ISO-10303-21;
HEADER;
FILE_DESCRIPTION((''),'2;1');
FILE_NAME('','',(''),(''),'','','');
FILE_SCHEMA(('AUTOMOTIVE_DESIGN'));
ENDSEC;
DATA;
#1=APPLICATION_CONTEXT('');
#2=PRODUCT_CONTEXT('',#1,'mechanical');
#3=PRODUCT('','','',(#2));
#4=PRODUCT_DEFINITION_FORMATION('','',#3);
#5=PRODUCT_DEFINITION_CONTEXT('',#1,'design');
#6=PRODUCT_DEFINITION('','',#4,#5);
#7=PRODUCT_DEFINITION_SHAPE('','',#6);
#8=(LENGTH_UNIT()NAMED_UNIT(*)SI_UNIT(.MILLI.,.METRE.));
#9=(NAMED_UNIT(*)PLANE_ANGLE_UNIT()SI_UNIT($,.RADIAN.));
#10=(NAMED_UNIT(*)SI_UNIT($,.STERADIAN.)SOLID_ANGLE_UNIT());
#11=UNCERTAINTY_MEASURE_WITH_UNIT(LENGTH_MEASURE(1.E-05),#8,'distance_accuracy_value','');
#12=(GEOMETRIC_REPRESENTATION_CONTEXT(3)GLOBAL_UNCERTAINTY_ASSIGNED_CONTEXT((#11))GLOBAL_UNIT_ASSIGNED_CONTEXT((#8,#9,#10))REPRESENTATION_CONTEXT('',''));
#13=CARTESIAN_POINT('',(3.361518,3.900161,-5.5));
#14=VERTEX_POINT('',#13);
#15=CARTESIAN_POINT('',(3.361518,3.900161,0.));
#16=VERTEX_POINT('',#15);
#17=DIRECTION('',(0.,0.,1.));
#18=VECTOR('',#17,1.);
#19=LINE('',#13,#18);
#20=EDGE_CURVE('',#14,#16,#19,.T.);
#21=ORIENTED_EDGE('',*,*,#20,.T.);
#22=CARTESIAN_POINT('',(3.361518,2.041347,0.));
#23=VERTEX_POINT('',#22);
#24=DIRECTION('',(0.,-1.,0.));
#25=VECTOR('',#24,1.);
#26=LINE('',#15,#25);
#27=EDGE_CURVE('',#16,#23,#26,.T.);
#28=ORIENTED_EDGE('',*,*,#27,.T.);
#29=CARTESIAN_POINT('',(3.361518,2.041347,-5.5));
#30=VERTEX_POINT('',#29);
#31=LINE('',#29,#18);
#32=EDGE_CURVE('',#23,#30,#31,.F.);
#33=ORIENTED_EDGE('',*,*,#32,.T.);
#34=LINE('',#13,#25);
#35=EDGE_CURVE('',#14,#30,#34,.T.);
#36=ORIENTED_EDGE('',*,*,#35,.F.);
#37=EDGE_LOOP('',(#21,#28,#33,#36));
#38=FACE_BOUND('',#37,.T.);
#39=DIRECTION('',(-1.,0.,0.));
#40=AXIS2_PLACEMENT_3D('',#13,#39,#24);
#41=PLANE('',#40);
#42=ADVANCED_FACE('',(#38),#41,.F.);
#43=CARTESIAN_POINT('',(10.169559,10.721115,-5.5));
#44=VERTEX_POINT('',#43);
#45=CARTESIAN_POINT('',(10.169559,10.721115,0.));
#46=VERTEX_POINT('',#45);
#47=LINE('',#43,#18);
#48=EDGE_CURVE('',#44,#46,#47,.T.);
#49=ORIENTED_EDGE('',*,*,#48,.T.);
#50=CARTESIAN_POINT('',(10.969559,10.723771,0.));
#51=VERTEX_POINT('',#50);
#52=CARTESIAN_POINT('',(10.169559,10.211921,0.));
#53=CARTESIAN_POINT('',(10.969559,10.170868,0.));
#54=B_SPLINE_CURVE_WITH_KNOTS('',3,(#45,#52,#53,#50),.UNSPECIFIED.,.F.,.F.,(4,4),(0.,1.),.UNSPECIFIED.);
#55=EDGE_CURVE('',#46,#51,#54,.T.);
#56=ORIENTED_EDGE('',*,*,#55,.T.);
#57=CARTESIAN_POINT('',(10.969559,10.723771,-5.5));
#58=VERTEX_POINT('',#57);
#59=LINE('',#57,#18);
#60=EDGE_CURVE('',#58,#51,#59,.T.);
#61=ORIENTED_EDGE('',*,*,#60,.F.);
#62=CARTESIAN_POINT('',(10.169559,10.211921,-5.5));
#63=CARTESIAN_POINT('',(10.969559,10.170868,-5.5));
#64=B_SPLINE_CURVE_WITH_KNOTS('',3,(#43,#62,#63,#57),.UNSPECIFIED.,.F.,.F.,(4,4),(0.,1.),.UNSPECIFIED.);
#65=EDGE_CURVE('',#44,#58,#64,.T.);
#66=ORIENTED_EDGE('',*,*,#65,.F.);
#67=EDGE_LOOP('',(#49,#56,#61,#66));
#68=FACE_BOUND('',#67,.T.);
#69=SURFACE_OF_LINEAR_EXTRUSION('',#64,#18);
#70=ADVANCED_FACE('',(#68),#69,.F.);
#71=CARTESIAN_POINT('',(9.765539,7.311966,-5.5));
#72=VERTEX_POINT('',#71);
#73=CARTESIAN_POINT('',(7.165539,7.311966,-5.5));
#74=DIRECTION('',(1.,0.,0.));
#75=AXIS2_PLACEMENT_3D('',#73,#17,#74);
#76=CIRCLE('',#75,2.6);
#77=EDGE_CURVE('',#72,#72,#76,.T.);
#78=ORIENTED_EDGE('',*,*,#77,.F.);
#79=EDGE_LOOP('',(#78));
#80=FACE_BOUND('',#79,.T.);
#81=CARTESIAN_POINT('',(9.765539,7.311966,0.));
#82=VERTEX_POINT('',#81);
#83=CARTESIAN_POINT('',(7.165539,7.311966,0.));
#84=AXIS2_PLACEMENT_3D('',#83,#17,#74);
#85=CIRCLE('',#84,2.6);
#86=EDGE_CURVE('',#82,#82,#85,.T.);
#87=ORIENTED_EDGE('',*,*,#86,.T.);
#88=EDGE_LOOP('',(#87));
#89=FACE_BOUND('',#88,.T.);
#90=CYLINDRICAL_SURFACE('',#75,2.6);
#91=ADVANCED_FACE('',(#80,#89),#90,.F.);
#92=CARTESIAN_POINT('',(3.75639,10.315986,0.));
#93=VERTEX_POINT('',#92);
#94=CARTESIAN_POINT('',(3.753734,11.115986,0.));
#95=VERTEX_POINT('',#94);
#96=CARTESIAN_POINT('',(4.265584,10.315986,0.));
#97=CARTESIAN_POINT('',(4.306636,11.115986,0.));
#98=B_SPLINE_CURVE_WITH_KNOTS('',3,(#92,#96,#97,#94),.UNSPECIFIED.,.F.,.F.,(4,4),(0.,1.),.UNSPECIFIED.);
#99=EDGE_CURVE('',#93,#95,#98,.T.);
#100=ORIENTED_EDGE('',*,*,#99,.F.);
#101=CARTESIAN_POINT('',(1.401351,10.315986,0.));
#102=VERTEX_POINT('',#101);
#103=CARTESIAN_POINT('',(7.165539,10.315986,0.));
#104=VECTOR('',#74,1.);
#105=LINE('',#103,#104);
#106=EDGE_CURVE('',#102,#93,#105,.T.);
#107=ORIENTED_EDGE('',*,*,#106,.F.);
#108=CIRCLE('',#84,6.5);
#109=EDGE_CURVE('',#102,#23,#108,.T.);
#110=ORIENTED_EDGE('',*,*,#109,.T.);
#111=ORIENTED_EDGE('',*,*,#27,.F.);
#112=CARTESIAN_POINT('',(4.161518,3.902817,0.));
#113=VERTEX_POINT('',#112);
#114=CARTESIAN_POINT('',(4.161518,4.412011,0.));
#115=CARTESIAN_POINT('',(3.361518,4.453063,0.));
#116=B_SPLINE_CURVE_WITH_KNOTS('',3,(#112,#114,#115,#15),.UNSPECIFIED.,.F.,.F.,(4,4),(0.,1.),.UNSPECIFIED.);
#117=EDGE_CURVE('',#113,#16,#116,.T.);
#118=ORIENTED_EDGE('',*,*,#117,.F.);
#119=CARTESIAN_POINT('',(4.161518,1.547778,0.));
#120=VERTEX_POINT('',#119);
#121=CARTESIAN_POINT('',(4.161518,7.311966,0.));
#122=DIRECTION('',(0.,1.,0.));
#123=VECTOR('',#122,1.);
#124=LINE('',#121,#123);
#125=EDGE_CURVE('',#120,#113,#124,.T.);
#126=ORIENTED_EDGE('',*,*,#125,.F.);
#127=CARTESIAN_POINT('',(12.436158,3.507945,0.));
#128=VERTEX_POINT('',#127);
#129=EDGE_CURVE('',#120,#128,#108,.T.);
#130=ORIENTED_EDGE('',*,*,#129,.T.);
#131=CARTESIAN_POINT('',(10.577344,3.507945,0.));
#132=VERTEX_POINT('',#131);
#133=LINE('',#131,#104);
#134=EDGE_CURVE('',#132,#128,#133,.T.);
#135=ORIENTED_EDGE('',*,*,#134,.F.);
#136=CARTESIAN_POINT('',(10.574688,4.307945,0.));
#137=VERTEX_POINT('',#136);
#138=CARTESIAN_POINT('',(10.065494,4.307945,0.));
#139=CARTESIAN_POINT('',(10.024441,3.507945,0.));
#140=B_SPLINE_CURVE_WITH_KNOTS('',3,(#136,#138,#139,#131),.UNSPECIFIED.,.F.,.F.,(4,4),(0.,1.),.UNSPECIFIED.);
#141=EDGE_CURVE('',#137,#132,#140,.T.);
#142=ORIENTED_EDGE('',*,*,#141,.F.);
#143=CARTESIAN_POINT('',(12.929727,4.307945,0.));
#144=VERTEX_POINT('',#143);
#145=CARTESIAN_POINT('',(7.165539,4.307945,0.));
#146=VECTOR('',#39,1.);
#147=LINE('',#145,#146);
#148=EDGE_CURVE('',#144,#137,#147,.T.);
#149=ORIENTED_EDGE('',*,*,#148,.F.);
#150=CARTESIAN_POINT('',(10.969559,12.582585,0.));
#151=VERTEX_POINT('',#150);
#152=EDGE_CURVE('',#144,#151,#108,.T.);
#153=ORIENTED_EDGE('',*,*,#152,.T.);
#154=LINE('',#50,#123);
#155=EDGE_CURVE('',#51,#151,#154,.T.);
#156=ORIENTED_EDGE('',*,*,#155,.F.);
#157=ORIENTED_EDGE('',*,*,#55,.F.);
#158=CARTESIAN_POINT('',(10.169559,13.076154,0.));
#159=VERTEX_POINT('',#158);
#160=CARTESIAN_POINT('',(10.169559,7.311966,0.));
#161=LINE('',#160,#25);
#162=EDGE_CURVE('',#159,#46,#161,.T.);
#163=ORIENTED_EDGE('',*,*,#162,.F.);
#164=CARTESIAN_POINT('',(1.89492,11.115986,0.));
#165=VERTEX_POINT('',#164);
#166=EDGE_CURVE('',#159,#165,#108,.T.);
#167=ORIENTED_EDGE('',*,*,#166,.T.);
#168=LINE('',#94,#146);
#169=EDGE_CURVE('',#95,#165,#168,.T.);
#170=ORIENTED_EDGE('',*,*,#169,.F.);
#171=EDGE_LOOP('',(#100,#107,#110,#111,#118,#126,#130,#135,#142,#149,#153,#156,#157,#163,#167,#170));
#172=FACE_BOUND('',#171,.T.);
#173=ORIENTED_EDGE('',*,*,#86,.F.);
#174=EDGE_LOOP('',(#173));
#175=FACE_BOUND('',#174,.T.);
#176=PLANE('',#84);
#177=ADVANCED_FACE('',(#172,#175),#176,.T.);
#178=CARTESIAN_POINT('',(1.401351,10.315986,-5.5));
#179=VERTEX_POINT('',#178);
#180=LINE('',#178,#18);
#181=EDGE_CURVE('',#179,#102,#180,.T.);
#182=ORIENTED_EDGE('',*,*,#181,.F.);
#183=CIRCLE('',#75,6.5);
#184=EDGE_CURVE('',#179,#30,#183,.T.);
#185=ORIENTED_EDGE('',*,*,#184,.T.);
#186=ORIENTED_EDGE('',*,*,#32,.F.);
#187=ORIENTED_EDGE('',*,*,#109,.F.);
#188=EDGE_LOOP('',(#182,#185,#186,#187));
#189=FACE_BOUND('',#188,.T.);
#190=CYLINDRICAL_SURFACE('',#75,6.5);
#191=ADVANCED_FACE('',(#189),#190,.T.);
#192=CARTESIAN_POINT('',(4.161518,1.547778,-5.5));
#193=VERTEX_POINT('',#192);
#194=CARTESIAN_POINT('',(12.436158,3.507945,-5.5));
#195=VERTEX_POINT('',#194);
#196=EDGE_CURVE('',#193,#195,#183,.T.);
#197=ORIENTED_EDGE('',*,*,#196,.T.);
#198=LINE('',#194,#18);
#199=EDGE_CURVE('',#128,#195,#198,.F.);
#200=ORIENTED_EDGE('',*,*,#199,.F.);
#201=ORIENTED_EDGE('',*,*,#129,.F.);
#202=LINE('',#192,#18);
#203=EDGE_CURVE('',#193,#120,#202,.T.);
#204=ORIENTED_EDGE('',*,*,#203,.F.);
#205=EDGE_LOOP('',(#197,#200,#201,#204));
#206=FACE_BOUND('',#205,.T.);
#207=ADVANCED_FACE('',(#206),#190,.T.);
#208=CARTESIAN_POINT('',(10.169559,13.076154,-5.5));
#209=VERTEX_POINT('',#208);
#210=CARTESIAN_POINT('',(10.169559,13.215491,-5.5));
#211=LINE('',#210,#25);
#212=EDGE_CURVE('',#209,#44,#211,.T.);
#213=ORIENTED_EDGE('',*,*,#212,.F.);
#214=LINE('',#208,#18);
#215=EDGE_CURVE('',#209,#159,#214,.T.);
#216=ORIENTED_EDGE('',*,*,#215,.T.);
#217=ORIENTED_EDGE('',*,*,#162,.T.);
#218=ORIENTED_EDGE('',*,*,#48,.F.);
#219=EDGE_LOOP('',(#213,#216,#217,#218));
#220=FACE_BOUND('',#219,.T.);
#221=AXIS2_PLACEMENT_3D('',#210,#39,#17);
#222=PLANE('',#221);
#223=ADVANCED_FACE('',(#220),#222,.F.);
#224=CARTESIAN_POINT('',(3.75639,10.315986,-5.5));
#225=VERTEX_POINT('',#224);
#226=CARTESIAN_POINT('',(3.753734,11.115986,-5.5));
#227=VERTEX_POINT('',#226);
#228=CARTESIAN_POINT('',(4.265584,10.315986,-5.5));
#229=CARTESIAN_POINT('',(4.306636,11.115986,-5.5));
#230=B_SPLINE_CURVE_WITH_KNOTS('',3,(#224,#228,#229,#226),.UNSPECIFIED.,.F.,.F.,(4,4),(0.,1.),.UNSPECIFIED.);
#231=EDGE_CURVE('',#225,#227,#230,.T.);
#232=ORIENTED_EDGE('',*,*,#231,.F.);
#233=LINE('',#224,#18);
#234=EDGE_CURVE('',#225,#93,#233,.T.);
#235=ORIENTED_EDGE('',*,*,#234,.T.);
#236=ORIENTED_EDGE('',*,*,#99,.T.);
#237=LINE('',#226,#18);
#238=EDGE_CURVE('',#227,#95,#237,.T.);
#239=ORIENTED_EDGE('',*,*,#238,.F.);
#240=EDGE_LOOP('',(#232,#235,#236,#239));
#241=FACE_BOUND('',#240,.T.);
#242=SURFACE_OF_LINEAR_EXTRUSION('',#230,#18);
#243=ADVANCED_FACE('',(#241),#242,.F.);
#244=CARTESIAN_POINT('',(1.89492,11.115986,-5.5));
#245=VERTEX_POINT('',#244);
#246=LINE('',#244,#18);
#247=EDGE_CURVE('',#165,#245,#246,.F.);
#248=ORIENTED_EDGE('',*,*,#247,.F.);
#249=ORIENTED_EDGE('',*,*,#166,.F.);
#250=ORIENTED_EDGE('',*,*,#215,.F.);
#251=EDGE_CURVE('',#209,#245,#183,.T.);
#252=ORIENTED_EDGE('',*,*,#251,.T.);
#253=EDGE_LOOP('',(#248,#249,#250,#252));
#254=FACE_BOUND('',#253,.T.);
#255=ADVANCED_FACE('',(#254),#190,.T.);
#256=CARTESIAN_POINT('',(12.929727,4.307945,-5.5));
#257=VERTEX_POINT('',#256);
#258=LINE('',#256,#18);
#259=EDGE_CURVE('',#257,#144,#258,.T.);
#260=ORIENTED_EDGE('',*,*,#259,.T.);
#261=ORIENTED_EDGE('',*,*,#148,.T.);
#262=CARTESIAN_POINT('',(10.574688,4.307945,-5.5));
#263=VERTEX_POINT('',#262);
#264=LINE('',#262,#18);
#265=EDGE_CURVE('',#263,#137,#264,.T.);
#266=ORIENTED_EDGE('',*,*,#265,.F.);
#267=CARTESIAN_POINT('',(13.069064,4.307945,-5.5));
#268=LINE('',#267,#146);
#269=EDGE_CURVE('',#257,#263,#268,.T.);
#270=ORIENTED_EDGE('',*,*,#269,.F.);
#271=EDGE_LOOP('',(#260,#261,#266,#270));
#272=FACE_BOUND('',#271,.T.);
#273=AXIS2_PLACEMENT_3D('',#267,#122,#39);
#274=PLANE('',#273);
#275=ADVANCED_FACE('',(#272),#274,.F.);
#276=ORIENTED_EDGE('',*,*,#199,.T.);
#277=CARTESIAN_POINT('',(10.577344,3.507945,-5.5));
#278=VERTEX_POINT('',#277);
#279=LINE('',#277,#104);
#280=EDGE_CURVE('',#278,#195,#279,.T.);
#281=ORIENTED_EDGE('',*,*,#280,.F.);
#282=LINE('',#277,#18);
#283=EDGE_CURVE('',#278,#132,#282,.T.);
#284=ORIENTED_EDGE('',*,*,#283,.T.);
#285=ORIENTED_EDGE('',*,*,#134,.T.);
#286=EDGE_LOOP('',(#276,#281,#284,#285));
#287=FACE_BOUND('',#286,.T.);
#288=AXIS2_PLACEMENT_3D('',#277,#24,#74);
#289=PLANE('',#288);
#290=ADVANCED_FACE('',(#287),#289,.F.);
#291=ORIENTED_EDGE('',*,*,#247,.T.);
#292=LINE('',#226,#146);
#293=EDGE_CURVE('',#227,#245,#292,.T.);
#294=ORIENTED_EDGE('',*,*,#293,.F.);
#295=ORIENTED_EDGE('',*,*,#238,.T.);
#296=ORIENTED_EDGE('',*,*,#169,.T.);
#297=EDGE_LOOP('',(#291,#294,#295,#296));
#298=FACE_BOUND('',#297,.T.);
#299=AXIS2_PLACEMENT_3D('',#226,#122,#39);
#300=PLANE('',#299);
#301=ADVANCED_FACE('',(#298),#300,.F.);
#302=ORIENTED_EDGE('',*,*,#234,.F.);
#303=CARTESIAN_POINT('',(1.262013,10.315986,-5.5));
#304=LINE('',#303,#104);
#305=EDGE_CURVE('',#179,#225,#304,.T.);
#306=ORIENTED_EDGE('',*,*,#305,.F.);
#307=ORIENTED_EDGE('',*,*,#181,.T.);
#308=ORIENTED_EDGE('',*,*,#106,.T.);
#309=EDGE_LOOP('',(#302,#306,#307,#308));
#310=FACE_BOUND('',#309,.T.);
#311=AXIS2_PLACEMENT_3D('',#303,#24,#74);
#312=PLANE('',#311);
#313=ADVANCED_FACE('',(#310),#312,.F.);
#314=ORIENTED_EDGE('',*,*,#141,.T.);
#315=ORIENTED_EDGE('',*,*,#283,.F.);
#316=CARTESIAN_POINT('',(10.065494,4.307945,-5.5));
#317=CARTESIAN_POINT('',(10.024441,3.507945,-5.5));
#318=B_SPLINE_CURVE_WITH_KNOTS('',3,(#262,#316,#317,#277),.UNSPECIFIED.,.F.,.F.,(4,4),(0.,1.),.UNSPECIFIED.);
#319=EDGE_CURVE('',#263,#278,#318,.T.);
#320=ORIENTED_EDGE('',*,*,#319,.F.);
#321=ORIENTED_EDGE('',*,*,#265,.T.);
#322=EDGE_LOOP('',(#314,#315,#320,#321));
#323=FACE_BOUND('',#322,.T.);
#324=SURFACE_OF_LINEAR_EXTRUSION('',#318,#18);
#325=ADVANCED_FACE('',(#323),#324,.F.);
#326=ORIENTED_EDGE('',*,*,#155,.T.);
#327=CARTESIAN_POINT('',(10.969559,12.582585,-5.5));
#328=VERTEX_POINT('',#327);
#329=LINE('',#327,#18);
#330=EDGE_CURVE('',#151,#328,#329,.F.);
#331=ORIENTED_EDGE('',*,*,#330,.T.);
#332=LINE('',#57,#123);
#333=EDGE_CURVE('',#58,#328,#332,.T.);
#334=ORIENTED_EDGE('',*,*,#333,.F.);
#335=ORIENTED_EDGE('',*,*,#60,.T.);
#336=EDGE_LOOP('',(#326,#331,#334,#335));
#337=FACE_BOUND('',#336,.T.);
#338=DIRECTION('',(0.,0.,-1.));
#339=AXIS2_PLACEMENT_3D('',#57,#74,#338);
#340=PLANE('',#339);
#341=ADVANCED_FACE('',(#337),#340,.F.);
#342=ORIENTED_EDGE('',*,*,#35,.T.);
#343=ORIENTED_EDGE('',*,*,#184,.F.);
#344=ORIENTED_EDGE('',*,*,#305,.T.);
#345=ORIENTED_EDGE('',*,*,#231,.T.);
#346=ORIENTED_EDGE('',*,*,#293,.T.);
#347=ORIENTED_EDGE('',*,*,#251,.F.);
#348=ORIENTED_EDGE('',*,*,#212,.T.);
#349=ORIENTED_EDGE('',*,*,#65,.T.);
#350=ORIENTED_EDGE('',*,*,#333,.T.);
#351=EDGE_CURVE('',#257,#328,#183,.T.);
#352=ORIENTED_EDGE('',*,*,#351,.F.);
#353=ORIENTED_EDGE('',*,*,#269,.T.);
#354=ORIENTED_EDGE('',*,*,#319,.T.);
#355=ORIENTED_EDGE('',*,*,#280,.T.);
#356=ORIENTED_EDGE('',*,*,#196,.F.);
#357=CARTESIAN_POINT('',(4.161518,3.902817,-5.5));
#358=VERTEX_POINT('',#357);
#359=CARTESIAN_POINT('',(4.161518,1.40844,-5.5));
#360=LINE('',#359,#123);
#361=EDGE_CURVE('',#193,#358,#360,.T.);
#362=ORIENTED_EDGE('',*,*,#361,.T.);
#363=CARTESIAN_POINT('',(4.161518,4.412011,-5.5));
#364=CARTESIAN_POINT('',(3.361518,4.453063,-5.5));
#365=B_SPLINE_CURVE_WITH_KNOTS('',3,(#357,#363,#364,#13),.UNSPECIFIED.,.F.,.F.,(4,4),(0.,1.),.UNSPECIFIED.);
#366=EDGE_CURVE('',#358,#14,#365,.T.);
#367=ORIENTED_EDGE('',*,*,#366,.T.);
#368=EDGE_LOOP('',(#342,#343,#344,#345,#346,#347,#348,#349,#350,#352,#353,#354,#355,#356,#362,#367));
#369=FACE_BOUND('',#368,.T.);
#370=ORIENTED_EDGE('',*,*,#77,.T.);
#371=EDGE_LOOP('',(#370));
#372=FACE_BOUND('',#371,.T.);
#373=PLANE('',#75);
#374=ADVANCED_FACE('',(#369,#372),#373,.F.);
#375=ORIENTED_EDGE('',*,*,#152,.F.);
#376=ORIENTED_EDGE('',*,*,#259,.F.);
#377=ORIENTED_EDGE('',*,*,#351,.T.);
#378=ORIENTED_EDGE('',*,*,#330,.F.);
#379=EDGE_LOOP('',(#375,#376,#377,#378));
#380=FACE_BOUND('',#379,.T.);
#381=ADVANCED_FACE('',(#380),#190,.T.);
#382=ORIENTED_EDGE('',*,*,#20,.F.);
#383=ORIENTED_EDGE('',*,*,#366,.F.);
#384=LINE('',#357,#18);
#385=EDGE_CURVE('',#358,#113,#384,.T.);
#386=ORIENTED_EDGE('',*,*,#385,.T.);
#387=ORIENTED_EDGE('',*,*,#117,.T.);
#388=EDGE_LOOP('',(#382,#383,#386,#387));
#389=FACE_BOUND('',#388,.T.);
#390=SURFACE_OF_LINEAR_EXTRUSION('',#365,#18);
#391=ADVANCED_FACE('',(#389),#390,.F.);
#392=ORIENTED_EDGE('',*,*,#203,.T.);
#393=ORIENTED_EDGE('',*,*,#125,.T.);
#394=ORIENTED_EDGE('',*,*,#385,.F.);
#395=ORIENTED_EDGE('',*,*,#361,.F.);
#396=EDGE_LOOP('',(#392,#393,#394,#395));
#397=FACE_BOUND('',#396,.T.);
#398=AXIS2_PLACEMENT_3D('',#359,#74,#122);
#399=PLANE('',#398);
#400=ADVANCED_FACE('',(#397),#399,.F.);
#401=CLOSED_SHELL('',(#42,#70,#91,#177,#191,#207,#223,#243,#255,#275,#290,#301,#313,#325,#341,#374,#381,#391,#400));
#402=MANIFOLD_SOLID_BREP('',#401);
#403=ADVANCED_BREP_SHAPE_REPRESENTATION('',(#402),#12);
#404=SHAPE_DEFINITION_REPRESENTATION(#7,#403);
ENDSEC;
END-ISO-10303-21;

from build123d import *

# Parameters (mm, degrees)
SKETCH2_R           = 6.5
BOSS_EXTRUDE2_DEPTH = 5.5
SKETCH1_R           = 2.6
CUT_EXTRUDE1_DEPTH  = 21.193250236


with BuildPart() as part:
    # Sketch2 → Boss-Extrude2 (new body)
    with BuildSketch(Plane.XY):
        with Locations((7.165538907, 7.311965881)):
            Circle(SKETCH2_R)
    extrude(amount=-BOSS_EXTRUDE2_DEPTH)

    # Sketch1 → Cut-Extrude1 (cut, through all)
    with BuildSketch(Plane.XY):
        with Locations((7.165538907, 7.311965881)):
            Circle(SKETCH1_R)
        with BuildLine():
            Line((10.969559419, 10.723771247), (10.969559419, 13.011721187))
            add(Edge.make_bspline(
                [(10.969559419, 13.011721187), (10.958646548, 13.475622363), (10.162270372, 13.509138157), (10.169559419, 13.215491328)],
                knots=[0, 0, 0, 0, 1, 1, 1, 1], degree=3))
            Line((10.169559419, 13.215491328), (10.169559419, 10.721114654))
            add(Edge.make_bspline(
                [(10.169559419, 10.721114654), (10.169559419, 10.211921076), (10.969559419, 10.170868336), (10.969559419, 10.723771247)],
                knots=[0, 0, 0, 0, 1, 1, 1, 1], degree=3))
        make_face()
        with BuildLine():
            Line((13.069064354, 4.307945368), (10.57468768, 4.307945368))
            add(Edge.make_bspline(
                [(10.57468768, 4.307945368), (10.065494102, 4.307945368), (10.024441362, 3.507945368), (10.577344274, 3.507945368)],
                knots=[0, 0, 0, 0, 1, 1, 1, 1], degree=3))
            Line((10.577344274, 3.507945368), (12.865294213, 3.507945368))
            add(Edge.make_bspline(
                [(12.865294213, 3.507945368), (13.329195389, 3.518858239), (13.362711183, 4.315234416), (13.069064354, 4.307945368)],
                knots=[0, 0, 0, 0, 1, 1, 1, 1], degree=3))
        make_face()
        with BuildLine():
            Line((4.161518395, 1.408440433), (4.161518395, 3.902817107))
            add(Edge.make_bspline(
                [(4.161518395, 3.902817107), (4.161518395, 4.412010686), (3.361518395, 4.453063426), (3.361518395, 3.900160514)],
                knots=[0, 0, 0, 0, 1, 1, 1, 1], degree=3))
            Line((3.361518395, 3.900160514), (3.361518395, 1.612210574))
            add(Edge.make_bspline(
                [(3.361518395, 1.612210574), (3.372431266, 1.148309399), (4.168807442, 1.114793605), (4.161518395, 1.408440433)],
                knots=[0, 0, 0, 0, 1, 1, 1, 1], degree=3))
        make_face()
        with BuildLine():
            Line((1.26201346, 10.315986393), (3.756390133, 10.315986393))
            add(Edge.make_bspline(
                [(3.756390133, 10.315986393), (4.265583712, 10.315986393), (4.306636452, 11.115986393), (3.75373354, 11.115986393)],
                knots=[0, 0, 0, 0, 1, 1, 1, 1], degree=3))
            Line((3.75373354, 11.115986393), (1.465783601, 11.115986393))
            add(Edge.make_bspline(
                [(1.465783601, 11.115986393), (1.001882425, 11.105073522), (0.968366631, 10.308697346), (1.26201346, 10.315986393)],
                knots=[0, 0, 0, 0, 1, 1, 1, 1], degree=3))
        make_face()
    extrude(amount=-CUT_EXTRUDE1_DEPTH, mode=Mode.SUBTRACT)


solid = part.part
